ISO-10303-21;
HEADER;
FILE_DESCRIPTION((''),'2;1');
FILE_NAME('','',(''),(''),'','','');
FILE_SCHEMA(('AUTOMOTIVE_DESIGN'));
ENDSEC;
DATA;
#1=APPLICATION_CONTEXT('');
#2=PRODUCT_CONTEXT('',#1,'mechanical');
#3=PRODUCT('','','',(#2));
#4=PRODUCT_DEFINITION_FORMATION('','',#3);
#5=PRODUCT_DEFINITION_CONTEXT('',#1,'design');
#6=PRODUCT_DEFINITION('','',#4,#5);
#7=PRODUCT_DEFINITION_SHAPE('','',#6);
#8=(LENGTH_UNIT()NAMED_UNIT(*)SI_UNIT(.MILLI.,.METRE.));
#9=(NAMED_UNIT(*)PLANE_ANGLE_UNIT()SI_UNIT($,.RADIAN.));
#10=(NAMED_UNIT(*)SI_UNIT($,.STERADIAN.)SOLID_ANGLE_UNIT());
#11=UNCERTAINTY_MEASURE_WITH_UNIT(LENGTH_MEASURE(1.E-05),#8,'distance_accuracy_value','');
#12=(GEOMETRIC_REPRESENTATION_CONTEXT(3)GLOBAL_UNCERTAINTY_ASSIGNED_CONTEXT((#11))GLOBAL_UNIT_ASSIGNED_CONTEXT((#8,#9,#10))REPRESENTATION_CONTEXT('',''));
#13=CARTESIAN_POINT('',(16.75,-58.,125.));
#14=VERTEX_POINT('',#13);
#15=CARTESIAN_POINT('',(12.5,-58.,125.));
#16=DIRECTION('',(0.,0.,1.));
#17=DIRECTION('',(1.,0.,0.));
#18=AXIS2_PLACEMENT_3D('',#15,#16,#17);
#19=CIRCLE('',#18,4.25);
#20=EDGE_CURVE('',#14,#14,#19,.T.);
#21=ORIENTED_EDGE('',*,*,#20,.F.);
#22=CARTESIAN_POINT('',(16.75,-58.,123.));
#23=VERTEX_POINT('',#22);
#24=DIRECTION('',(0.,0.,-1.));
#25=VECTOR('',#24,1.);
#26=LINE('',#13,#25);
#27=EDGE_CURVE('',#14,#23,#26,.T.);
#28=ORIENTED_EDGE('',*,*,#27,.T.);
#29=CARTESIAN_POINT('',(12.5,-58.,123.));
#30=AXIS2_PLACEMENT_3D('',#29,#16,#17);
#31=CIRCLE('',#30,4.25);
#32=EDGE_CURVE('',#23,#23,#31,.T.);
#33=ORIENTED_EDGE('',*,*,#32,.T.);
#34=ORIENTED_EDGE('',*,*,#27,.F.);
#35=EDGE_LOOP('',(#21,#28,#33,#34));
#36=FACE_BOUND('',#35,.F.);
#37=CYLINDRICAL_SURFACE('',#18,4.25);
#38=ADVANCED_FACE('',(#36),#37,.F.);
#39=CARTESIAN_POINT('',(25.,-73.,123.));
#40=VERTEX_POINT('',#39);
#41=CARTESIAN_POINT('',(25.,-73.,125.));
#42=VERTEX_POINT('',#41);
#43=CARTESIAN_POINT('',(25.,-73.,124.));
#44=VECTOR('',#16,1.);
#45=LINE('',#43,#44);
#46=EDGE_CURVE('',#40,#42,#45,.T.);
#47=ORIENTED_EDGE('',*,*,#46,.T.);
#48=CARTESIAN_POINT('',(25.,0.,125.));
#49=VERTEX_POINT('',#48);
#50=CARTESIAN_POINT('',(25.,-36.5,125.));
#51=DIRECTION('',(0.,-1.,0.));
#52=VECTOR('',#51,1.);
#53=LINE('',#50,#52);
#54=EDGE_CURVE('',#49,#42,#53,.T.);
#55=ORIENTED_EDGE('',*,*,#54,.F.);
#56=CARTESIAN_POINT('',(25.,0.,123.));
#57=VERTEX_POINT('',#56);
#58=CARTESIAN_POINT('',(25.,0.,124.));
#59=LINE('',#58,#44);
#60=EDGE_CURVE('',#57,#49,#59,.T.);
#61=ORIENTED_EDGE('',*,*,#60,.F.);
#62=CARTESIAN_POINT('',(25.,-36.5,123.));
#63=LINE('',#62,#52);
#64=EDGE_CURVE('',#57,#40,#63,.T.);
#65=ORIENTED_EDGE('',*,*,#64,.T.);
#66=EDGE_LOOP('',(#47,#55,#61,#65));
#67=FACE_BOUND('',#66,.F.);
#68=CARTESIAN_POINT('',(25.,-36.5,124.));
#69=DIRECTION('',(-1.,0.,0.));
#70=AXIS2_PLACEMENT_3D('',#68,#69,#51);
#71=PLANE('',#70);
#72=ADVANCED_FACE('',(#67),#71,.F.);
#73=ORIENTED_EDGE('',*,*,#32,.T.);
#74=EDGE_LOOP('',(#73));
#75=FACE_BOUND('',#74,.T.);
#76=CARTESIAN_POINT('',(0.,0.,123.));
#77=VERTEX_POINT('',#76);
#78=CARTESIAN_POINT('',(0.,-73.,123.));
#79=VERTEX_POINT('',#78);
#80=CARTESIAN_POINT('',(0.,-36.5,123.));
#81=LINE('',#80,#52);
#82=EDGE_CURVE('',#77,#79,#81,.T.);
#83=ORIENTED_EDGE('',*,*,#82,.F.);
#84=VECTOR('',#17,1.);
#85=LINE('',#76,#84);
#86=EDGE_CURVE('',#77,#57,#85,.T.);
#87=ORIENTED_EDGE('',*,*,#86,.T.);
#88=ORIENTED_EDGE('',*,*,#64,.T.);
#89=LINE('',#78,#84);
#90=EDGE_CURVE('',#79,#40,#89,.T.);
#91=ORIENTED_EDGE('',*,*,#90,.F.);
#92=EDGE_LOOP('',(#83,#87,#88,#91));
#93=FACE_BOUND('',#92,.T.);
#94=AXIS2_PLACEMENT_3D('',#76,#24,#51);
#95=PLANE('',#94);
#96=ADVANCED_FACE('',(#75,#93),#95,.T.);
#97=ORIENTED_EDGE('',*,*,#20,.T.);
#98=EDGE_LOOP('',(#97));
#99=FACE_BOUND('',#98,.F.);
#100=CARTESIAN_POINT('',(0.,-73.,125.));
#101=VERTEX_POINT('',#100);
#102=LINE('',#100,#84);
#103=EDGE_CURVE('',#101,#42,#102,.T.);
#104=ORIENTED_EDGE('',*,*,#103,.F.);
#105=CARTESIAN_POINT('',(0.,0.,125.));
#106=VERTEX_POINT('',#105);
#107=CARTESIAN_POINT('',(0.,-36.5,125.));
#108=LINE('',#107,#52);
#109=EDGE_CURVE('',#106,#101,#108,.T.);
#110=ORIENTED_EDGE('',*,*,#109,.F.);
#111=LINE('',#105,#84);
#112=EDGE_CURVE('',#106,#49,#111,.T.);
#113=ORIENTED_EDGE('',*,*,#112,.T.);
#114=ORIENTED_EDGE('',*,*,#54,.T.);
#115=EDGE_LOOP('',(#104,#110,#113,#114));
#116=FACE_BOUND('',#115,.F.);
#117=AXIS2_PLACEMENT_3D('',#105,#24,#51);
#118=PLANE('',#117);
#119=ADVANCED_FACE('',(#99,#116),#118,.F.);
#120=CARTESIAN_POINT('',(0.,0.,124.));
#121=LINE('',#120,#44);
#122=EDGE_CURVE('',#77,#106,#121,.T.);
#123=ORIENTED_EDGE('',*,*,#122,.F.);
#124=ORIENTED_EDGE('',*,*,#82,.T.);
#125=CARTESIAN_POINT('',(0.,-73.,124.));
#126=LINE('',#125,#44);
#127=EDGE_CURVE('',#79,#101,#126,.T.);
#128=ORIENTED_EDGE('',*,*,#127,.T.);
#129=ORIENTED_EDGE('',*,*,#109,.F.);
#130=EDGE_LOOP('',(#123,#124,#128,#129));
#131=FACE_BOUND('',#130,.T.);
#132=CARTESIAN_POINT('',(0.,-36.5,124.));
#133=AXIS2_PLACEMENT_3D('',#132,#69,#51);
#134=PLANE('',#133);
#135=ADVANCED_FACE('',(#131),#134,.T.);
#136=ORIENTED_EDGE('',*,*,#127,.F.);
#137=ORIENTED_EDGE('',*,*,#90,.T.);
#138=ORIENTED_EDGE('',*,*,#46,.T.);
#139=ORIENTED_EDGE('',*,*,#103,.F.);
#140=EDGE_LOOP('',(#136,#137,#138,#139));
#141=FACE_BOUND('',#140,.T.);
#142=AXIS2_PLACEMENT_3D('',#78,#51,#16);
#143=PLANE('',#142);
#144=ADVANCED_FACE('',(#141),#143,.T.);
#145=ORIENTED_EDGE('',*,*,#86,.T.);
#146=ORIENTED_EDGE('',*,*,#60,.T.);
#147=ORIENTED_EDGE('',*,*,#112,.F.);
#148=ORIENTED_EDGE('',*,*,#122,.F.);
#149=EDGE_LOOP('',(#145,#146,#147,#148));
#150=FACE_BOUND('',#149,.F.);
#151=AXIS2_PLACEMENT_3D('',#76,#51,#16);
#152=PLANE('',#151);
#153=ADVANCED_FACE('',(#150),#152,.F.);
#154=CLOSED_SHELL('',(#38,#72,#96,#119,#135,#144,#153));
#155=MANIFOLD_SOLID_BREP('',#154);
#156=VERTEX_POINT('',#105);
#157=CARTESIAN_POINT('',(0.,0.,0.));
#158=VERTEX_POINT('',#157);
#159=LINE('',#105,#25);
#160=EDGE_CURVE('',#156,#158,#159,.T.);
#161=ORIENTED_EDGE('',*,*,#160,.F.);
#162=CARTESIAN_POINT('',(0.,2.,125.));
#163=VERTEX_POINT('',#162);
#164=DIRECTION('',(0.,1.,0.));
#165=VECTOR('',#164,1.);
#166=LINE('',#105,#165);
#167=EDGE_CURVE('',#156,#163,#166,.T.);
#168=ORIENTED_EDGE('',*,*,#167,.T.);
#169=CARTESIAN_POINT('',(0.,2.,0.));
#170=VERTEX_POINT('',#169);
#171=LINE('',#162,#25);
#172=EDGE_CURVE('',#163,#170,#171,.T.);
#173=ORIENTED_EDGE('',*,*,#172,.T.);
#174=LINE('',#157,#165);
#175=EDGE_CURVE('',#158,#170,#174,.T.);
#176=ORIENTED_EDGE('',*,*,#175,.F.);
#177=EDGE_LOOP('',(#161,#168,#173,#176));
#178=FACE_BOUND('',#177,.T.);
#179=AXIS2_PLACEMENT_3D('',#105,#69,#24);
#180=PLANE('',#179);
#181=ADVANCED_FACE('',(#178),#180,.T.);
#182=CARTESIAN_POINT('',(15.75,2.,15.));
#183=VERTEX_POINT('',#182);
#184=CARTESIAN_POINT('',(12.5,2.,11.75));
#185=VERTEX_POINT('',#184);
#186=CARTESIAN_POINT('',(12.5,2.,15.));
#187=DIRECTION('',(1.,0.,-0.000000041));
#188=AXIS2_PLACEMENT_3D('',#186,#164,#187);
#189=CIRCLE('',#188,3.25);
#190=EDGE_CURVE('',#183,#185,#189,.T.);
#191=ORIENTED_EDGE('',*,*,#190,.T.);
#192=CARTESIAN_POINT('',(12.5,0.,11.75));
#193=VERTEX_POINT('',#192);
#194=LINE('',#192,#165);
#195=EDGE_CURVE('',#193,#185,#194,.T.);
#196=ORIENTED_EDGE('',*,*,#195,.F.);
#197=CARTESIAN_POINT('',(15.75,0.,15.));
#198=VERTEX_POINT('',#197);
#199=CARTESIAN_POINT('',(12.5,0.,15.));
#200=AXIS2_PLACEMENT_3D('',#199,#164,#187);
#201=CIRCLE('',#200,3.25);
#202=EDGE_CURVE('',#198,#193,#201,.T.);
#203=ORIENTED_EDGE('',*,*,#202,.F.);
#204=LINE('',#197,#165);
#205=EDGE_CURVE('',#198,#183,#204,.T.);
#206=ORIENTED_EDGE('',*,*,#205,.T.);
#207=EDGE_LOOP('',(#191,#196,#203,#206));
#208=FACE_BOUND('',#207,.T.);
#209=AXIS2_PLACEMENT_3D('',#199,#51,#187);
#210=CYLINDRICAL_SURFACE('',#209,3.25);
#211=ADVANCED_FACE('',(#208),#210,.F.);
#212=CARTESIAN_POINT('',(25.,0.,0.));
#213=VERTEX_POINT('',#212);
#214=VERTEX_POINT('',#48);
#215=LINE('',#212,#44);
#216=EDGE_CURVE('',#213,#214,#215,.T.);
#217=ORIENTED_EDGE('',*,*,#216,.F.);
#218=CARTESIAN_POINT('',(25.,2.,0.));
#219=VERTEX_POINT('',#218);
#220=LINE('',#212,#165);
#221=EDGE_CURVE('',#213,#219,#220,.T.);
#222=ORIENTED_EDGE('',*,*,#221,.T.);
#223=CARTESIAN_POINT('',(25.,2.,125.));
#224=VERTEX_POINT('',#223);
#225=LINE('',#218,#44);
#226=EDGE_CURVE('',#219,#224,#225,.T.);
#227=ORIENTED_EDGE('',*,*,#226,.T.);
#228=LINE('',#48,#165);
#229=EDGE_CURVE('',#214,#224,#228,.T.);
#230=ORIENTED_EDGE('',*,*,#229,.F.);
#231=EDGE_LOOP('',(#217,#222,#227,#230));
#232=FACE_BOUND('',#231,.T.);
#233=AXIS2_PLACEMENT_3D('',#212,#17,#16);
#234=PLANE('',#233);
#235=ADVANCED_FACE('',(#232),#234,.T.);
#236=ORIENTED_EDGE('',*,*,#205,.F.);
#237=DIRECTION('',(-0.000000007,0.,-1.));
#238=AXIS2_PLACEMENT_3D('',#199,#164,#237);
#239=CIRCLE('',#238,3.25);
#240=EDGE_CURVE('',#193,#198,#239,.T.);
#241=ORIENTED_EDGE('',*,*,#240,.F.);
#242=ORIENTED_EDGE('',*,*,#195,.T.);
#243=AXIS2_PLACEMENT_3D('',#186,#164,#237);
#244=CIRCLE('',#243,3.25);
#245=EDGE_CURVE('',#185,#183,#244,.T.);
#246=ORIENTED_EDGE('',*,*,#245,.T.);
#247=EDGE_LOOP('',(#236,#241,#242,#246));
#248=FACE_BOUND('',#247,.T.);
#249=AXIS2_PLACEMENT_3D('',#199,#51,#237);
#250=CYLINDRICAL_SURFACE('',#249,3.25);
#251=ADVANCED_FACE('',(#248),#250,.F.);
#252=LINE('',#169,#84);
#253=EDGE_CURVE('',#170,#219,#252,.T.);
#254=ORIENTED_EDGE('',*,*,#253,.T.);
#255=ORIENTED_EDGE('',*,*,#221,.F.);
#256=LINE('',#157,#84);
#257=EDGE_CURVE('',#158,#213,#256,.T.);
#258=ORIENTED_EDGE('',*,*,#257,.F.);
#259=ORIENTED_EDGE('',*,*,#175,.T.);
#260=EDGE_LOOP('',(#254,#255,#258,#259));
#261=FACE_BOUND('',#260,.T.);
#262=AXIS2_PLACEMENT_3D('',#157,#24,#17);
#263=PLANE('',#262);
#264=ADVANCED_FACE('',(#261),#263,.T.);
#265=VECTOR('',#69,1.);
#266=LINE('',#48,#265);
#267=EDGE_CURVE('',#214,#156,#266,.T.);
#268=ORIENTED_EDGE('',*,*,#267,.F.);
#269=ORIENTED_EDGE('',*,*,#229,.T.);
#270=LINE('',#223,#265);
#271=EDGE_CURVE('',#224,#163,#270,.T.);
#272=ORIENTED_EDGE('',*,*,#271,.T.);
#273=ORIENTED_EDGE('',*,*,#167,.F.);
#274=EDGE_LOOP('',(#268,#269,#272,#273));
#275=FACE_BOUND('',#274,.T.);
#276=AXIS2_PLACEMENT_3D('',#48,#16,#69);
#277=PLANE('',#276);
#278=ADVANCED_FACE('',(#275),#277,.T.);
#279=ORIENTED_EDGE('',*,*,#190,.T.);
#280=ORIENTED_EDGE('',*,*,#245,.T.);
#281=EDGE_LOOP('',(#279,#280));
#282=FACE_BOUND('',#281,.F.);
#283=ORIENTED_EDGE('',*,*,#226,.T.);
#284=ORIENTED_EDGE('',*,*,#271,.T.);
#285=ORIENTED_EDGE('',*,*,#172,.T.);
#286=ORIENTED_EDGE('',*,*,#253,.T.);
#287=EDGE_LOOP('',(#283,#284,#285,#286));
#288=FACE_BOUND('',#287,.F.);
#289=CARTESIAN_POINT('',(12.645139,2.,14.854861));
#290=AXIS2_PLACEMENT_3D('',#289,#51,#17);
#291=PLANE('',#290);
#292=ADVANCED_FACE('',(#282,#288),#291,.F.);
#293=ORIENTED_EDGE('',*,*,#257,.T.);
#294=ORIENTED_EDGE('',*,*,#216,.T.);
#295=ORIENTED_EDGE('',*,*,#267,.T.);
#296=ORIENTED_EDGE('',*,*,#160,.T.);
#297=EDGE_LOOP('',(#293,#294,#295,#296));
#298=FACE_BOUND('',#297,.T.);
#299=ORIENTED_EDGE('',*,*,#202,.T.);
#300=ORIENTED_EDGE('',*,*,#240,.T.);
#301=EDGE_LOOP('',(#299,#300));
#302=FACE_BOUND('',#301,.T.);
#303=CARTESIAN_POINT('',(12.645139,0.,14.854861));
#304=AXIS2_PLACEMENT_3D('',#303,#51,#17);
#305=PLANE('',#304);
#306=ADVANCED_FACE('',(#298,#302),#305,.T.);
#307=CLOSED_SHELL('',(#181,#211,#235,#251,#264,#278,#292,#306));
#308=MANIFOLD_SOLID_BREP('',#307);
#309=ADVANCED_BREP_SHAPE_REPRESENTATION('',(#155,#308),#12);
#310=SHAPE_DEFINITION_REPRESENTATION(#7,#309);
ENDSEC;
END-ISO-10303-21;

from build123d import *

# Parameters (mm, degrees)
F1_DEPTH = 2
F2_W     = 73
F2_H     = 2
F3_DEPTH = 25
F4_R     = 4.25
F5_DEPTH = 2


with BuildPart() as f1:
    # F0 (on Front) → F1 (new body)
    with BuildSketch(Plane.XZ):
        with BuildLine():
            ThreePointArc((15.75, 15), (10.201903, 17.298097), (12.5, 11.75))
            ThreePointArc((12.5, 11.75), (14.798097, 12.701903), (15.75, 15))
        make_face()
        Polygon((0, 125), (0, 0), (12.5, 0), (25, 0), (25, 125), align=None)
        with BuildLine():
            ThreePointArc((15.75, 15), (14.798097, 12.701903), (12.5, 11.75))
            ThreePointArc((12.5, 11.75), (10.201903, 17.298097), (15.75, 15))
        make_face(mode=Mode.SUBTRACT)
    extrude(amount=-F1_DEPTH)


with BuildPart() as f3:
    # F2 (on face) → F3 (new body)
    with BuildSketch(Plane(origin=(0, 0, 0), x_dir=(0, -1, 0), z_dir=(-1, 0, 0))):
        with Locations((36.5, 124)):
            Rectangle(F2_W, F2_H)
    extrude(amount=-F3_DEPTH)

    # F4 (on face) → F5 (cut)
    with BuildSketch(Plane.XY.offset(125)):
        with Locations((12.5, -58)):
            Circle(F4_R)
    extrude(amount=-F5_DEPTH, mode=Mode.SUBTRACT)


solid = Compound([f1.part, f3.part])
